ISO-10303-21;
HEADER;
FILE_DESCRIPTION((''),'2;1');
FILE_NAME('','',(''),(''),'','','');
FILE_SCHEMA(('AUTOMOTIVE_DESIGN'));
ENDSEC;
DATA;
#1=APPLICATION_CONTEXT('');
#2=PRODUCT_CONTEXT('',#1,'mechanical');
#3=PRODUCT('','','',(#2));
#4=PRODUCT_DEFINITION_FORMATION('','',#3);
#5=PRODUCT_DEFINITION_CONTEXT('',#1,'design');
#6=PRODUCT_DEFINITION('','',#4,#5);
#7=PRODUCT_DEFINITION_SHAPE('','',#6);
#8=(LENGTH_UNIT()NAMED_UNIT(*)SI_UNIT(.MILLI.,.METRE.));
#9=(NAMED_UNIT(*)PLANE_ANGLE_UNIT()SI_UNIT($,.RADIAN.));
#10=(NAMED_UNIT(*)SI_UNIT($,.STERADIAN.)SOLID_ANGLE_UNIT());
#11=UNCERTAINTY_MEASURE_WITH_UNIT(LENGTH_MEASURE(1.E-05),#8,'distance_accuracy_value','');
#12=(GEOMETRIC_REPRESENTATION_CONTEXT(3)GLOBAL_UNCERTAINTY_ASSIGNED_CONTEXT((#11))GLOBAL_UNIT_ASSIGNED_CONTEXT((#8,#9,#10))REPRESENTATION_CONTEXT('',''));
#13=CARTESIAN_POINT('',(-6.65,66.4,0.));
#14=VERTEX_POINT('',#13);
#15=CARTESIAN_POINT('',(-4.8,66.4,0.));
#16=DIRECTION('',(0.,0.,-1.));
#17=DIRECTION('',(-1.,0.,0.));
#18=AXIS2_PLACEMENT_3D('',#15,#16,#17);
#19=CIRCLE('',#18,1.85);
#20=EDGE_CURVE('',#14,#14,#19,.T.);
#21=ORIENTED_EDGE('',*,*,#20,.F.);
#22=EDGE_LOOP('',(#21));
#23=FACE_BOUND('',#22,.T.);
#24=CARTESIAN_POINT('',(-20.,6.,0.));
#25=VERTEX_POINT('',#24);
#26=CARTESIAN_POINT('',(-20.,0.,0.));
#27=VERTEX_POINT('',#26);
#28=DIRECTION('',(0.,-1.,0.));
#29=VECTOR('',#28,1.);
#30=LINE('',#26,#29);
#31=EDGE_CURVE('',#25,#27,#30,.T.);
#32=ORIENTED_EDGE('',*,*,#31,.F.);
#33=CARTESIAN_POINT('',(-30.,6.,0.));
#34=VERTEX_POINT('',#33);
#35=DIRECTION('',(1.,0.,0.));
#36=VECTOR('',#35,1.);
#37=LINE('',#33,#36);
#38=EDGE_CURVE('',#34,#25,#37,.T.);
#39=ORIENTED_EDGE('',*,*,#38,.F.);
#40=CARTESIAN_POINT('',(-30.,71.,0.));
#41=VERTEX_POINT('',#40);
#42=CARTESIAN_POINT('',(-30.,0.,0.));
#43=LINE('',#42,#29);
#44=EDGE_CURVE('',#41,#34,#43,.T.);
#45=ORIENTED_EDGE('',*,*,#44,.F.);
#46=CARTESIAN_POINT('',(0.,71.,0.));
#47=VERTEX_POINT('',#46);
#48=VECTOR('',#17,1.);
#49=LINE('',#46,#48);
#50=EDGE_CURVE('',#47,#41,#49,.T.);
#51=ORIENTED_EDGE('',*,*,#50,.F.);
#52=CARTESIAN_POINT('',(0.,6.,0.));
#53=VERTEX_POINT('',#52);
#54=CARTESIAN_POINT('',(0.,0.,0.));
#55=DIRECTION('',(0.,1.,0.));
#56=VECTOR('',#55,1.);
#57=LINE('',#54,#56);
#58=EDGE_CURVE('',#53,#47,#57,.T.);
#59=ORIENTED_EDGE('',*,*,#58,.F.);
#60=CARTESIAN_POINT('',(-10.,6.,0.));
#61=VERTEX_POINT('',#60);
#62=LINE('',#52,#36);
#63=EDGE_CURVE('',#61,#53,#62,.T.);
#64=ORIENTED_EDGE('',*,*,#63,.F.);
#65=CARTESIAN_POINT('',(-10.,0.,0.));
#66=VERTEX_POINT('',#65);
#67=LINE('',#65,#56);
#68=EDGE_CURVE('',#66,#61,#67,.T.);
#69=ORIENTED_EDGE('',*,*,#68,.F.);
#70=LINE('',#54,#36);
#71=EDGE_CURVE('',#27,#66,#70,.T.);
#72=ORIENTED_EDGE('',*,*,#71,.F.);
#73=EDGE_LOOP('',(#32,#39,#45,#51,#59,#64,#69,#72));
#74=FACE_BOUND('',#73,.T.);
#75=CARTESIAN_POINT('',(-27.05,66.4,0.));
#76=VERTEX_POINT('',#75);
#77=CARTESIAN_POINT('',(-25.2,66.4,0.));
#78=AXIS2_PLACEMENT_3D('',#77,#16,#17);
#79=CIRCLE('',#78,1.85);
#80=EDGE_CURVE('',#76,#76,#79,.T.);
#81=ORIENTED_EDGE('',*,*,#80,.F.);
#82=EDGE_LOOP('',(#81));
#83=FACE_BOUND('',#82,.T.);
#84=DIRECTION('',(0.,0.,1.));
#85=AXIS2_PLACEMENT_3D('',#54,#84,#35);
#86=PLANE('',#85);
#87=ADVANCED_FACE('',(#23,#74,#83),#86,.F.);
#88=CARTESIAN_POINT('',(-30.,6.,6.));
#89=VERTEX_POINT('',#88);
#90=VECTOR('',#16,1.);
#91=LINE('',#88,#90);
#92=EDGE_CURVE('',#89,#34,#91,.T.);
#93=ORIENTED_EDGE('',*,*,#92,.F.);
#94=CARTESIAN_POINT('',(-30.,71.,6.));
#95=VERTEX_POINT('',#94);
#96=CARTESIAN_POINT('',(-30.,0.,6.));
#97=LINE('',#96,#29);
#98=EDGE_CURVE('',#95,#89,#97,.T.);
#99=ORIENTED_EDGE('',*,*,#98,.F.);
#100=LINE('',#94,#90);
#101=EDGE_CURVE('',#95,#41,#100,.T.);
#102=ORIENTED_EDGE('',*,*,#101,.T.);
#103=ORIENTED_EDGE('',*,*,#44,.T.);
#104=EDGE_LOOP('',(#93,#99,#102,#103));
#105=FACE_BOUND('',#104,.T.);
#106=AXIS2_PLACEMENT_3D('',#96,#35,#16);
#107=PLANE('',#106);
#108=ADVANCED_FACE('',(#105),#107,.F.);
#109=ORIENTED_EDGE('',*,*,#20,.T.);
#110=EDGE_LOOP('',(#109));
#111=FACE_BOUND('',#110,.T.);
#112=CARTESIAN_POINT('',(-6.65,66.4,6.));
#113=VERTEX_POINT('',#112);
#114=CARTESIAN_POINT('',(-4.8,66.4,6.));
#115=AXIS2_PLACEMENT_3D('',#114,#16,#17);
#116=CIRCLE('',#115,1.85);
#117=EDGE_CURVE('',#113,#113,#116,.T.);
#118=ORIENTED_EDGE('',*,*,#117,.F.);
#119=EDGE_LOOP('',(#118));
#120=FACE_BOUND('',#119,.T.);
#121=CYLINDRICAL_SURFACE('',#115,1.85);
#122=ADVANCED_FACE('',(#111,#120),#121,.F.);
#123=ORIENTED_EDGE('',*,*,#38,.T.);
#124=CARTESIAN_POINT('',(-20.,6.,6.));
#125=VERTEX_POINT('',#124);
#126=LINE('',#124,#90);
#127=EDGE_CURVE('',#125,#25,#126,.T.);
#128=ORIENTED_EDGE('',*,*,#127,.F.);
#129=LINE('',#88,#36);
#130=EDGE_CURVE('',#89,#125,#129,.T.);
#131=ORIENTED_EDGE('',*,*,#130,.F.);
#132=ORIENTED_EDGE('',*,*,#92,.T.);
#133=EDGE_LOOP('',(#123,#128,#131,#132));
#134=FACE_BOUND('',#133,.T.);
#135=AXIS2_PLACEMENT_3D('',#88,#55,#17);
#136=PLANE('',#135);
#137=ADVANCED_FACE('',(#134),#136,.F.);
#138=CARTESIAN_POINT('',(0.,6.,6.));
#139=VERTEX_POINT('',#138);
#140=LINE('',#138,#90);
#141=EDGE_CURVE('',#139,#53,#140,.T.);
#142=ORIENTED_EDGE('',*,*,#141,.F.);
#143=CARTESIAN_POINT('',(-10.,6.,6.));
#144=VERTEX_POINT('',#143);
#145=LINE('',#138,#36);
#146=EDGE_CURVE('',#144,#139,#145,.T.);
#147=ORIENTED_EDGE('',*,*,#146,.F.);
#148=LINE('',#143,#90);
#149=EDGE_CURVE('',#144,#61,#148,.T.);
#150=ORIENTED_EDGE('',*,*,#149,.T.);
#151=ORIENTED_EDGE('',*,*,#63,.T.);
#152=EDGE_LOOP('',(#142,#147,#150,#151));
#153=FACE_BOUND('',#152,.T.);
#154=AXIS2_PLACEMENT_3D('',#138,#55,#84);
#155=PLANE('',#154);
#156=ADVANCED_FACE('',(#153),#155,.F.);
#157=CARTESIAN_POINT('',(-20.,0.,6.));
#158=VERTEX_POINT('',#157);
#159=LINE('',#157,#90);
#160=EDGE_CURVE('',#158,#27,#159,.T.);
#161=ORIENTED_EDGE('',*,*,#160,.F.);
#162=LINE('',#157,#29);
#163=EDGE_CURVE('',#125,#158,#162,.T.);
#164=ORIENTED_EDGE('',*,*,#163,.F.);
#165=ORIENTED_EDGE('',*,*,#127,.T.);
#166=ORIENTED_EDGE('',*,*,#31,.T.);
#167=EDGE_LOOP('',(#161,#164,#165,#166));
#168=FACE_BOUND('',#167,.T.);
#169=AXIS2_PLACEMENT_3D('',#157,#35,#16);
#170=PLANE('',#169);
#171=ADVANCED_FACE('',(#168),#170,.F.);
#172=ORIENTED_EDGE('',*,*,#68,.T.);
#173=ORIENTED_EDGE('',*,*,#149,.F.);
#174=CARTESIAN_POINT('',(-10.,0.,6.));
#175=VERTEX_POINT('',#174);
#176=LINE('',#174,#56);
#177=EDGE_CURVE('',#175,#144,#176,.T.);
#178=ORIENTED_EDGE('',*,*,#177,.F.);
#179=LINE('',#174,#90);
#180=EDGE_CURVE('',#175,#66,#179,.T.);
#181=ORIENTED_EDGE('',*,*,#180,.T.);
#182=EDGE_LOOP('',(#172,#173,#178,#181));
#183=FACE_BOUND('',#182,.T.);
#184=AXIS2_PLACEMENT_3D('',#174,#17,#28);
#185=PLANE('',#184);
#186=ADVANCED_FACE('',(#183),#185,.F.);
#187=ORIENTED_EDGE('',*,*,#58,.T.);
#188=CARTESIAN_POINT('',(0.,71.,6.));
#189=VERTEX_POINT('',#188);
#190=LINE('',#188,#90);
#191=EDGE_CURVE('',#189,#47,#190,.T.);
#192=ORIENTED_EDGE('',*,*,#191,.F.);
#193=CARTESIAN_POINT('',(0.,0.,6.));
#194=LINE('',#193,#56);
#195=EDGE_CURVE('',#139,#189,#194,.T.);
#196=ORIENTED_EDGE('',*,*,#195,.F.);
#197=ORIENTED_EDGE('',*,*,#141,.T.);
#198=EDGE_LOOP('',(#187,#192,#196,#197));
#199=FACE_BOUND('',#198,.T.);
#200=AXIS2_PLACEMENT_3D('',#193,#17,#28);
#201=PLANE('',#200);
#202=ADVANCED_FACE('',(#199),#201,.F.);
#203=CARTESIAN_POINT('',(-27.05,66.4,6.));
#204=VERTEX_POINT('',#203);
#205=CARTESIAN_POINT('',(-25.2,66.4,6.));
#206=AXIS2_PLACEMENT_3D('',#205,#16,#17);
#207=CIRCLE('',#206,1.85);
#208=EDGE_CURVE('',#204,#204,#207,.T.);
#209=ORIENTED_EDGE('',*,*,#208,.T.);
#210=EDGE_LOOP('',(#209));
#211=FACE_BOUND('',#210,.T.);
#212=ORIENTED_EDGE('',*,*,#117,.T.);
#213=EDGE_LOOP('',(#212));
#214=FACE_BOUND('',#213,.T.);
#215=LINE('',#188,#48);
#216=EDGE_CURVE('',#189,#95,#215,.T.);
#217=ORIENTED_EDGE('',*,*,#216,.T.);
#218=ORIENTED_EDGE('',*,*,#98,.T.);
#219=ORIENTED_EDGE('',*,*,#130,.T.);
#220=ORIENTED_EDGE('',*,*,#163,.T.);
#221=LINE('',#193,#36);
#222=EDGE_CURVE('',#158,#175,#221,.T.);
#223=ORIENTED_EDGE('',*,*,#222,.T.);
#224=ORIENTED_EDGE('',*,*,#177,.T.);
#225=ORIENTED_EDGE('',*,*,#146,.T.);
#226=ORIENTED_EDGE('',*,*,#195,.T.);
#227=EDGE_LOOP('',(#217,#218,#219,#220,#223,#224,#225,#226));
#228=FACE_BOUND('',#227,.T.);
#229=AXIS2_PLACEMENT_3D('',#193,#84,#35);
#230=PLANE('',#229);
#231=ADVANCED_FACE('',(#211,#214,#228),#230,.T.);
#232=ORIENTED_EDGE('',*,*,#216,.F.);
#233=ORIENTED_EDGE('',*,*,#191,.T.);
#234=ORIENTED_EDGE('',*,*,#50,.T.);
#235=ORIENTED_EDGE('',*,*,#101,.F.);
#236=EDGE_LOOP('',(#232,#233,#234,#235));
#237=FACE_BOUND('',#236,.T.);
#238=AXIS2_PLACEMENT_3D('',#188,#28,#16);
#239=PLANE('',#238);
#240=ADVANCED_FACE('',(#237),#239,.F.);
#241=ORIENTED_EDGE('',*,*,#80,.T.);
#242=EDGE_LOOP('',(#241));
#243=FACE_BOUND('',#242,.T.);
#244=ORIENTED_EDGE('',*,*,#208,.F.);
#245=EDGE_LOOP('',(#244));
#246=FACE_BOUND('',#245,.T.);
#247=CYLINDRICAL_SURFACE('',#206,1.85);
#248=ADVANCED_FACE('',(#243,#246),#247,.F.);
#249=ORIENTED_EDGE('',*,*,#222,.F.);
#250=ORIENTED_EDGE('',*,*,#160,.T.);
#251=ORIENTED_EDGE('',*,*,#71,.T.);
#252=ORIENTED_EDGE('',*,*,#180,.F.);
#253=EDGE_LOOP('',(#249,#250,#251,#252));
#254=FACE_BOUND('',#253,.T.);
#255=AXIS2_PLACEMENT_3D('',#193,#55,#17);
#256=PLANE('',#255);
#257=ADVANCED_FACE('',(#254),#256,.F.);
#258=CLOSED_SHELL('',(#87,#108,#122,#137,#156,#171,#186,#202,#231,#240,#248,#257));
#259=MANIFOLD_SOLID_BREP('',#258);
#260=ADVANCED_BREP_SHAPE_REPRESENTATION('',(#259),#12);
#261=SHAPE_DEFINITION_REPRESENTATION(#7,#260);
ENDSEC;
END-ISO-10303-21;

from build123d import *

# Parameters (mm, degrees)
ESQUISSE1_W             = 30
ESQUISSE1_H             = 71
BOSS_EXTRU_1_DEPTH      = 6
ESQUISSE3_R             = 1.85
ESQUISSE3_W             = 10
ESQUISSE3_H             = 6
ENL_V_MAT_EXTRU_1_DEPTH = 6


with BuildPart() as part:
    # Esquisse1 → Boss.-Extru.1 (new body)
    with BuildSketch(Plane.XY):
        with Locations((-15, 35.5)):
            Rectangle(ESQUISSE1_W, ESQUISSE1_H)
    extrude(amount=BOSS_EXTRU_1_DEPTH)

    # Esquisse3 → Enlèv. mat.-Extru.1 (cut)
    with BuildSketch(Plane(origin=(0, 0, 0), x_dir=(-1, 0, 0), z_dir=(0, 0, -1))):
        with Locations((4.8, 66.4)):
            Circle(ESQUISSE3_R)
        with Locations((25.2, 66.4)):
            Circle(ESQUISSE3_R)
        with Locations((5, 3)):
            Rectangle(ESQUISSE3_W, ESQUISSE3_H)
        with Locations((25, 3)):
            Rectangle(ESQUISSE3_W, ESQUISSE3_H)
    extrude(amount=-ENL_V_MAT_EXTRU_1_DEPTH, mode=Mode.SUBTRACT)


solid = part.part
